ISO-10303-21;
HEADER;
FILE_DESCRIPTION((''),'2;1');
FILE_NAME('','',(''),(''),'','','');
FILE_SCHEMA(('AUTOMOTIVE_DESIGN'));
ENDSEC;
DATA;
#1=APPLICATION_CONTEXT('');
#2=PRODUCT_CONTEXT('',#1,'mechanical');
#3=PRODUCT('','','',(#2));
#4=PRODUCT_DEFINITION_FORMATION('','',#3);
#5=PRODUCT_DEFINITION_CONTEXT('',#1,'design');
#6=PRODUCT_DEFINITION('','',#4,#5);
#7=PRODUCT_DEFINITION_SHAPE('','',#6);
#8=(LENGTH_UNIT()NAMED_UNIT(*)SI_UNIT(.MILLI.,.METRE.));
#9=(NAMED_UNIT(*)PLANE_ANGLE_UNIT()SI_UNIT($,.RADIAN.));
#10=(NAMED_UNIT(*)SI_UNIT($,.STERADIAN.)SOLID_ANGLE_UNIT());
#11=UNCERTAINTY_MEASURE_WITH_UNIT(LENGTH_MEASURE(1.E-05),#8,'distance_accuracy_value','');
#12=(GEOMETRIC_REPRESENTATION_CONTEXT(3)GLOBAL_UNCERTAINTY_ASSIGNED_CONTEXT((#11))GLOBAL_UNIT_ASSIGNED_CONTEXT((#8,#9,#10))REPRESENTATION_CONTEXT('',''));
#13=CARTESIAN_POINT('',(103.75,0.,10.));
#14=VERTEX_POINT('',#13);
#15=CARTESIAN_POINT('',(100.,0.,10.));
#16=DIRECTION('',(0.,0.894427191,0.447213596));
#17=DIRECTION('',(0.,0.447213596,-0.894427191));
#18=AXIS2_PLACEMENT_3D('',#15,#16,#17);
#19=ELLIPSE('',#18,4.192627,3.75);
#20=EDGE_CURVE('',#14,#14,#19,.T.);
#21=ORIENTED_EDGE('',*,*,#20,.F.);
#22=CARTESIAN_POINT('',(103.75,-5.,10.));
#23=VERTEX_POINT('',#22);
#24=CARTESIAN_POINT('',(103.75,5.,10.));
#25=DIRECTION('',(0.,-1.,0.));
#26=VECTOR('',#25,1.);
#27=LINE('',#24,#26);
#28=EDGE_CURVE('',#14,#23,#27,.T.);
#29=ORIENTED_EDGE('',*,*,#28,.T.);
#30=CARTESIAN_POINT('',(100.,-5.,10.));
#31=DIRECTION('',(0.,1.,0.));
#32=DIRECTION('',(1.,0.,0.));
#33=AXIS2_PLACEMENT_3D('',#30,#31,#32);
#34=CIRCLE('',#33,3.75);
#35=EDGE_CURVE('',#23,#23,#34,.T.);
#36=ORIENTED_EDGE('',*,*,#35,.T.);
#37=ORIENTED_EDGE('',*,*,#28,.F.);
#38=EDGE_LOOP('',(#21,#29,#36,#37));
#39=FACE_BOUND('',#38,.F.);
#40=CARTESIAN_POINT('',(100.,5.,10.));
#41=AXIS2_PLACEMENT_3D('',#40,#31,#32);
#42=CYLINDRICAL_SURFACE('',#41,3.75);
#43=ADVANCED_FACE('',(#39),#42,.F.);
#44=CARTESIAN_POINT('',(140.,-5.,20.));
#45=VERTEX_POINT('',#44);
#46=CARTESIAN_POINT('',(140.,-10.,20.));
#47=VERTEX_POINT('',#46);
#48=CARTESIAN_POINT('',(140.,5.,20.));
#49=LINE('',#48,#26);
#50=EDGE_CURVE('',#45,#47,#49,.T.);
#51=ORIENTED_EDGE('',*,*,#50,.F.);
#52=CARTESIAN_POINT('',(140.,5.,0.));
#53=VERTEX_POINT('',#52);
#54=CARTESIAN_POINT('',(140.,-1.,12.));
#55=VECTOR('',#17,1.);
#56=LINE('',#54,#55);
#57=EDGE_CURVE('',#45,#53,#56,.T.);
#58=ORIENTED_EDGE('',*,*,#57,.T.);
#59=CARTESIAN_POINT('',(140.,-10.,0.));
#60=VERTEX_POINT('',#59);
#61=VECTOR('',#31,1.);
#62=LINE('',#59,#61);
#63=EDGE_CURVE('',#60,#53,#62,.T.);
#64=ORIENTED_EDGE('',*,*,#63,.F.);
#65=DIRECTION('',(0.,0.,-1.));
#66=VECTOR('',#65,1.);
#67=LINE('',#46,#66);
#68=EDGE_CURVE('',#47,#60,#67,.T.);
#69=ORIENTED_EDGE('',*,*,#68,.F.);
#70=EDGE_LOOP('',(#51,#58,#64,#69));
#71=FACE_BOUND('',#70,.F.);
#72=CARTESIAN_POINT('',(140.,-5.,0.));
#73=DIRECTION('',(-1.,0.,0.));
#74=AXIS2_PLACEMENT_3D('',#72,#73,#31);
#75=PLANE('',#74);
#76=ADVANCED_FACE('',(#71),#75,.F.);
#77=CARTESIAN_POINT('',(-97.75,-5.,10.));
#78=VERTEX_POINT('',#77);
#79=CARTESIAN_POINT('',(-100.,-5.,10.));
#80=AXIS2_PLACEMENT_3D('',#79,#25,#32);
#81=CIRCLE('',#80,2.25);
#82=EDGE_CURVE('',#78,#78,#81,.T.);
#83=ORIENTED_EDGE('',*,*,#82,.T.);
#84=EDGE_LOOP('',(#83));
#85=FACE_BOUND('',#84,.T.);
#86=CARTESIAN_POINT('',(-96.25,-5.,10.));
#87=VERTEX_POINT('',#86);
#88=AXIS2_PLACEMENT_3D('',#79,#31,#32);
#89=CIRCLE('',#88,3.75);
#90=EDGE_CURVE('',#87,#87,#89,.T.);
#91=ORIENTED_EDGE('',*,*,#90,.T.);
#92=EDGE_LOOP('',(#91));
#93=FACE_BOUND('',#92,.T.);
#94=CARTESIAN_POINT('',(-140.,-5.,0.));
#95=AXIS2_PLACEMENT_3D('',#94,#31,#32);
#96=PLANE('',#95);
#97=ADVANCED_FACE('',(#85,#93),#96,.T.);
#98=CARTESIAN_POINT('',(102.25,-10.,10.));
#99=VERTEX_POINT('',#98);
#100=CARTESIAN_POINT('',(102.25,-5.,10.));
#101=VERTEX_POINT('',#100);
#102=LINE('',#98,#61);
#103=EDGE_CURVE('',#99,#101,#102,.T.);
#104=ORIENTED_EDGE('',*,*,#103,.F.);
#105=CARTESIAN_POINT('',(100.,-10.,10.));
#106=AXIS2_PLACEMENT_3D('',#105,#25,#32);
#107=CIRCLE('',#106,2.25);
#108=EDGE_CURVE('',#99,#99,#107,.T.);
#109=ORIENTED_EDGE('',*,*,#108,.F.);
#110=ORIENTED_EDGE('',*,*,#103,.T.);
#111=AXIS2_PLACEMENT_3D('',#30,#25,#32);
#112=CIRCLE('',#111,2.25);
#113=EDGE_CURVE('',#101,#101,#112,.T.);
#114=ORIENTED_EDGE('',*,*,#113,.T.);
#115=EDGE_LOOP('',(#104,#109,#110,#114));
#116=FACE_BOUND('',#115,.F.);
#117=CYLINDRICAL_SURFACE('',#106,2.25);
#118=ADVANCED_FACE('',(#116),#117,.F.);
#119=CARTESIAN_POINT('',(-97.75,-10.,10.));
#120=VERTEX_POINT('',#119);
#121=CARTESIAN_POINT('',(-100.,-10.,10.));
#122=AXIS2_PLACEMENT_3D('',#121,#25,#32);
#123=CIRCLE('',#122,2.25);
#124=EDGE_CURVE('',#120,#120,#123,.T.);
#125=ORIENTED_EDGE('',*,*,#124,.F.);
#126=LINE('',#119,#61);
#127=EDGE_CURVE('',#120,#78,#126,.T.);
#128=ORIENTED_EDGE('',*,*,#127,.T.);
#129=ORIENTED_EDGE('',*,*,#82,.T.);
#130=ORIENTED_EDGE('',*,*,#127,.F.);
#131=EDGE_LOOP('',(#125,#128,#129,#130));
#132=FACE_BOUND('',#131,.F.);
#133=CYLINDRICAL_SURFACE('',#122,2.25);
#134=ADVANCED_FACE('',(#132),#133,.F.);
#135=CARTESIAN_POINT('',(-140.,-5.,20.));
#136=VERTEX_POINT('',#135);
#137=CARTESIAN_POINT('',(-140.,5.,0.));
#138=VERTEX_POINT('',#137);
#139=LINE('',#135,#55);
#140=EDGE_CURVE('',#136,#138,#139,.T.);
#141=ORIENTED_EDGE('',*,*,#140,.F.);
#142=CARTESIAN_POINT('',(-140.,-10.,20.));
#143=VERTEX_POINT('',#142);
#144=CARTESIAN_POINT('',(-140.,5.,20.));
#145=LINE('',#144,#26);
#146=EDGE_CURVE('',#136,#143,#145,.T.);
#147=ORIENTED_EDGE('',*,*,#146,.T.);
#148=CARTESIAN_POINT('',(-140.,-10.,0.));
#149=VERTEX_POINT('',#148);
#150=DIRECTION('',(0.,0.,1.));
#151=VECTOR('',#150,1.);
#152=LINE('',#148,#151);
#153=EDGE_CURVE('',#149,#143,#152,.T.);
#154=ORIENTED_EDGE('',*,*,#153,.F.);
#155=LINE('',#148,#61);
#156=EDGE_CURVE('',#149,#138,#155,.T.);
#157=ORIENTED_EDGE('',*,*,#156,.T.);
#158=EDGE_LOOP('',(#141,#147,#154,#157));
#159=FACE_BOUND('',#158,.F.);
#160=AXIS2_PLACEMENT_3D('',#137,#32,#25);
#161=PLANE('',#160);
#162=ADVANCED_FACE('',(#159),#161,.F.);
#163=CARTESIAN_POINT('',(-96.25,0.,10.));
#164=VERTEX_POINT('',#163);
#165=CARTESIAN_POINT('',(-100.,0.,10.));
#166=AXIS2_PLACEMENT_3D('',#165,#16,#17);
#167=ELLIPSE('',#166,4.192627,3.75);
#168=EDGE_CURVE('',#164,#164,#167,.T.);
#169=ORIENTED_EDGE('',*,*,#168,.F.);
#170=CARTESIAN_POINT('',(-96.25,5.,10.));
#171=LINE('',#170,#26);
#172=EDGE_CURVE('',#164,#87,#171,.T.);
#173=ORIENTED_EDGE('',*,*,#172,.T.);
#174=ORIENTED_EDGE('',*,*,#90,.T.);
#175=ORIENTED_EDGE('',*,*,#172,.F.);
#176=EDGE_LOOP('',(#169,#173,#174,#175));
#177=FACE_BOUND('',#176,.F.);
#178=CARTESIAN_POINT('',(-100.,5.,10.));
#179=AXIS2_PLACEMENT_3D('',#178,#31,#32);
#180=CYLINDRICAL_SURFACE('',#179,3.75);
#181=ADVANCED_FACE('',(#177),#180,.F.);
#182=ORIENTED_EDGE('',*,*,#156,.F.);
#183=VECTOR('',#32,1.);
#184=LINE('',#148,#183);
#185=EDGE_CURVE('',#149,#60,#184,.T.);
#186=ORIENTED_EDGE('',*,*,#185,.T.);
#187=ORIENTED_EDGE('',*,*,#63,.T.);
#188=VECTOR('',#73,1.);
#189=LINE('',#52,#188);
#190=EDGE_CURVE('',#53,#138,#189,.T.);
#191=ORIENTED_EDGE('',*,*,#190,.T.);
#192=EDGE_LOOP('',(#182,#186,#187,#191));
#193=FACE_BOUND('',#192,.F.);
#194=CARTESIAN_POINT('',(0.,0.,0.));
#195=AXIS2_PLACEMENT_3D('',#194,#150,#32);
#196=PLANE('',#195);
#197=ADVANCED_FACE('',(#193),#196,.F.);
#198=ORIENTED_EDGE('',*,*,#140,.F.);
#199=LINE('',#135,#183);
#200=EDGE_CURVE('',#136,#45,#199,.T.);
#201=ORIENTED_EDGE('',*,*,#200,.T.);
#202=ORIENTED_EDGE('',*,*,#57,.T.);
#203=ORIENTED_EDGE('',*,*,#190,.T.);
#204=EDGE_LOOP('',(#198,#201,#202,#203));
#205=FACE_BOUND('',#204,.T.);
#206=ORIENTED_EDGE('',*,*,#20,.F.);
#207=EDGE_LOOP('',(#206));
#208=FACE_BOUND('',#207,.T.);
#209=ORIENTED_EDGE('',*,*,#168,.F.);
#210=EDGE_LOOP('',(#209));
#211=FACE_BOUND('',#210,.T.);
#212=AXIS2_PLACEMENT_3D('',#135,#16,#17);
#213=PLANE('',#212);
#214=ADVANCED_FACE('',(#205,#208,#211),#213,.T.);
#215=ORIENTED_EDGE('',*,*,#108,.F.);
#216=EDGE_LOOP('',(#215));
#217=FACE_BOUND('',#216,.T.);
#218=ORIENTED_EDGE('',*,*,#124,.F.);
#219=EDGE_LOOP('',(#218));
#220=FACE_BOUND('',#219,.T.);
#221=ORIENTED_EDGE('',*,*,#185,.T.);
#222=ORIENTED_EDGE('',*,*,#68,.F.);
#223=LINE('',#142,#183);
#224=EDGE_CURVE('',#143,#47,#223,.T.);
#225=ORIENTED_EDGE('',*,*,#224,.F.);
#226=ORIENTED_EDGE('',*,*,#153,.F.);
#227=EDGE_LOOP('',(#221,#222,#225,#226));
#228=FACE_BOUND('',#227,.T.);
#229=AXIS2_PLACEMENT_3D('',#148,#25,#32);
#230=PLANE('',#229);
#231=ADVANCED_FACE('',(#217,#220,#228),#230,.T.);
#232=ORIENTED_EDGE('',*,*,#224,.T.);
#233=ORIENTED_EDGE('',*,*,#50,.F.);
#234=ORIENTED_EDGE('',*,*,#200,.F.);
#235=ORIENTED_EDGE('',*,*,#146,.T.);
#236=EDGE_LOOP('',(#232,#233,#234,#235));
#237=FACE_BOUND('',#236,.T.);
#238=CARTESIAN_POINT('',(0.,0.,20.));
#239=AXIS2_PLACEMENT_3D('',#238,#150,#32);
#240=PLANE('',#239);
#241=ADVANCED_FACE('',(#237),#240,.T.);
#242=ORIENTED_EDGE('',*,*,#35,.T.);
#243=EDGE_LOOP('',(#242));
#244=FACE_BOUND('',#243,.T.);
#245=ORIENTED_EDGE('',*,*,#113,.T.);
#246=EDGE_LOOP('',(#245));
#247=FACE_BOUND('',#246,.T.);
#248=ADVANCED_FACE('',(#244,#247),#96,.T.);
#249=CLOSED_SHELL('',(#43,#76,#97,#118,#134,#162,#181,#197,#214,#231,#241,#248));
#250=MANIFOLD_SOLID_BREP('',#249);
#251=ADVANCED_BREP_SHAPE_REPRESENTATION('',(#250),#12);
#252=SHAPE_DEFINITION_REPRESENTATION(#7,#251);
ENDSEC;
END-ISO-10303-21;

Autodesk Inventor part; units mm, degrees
ref_plane "YZ Plane" through (0, 0, 0) normal (1, 0, 0) x (0, 1, 0)
ref_plane "XZ Plane" through (0, 0, 0) normal (0, 1, 0) x (-1, 0, 0)
ref_plane "XY Plane" through (0, 0, 0) normal (0, 0, 1) x (1, 0, 0)
sketch "Sketch1" plane through (0, 0, 0) normal (0, 0, 1) x (1, 0, 0)
  line L0 (140, 5) -> (-140, 5)
  line L1 (-140, 5) -> (-140, -5)
  line L2 (-140, -5) -> (140, -5)
  line L3 (140, -5) -> (140, 5)
  line L4 (140, 5) -> (-140, -5) construction
  line L5 (-140, 5) -> (140, -5) construction
  point P0 (0, 0)
  dimension "d0" = 280
  dimension "d1" = 10
extrude "Extrusion1" add sketch "Sketch1" along normal blind 20
sketch "Sketch6" plane through (-140, -5, 0) normal (0, -1, 0) x (1, 0, 0)
  line L0 (0, 0) -> (0, 20) projected
  line L1 (0, 0) -> (280, 0) projected
  line L2 (0, 20) -> (280, 20)
  line L3 (280, 20) -> (280, 0)
  line L4 (280, 0) -> (0, 0)
  line L5 (0, 0) -> (0, 20)
  point P0 (140, 0)
extrude "Extrusion4" add sketch "Sketch6" along normal blind 5
sketch "Sketch7" plane through (-140, -10, 0) normal (0, -1, 0) x (1, 0, 0)
  point P0 (140, 0)
sketch "Sketch8" plane through (-140, -10, 0) normal (0, -1, 0) x (1, 0, 0)
  circle A0 centre (40, 10) radius 2.1 projected
  circle A1 centre (40, 10) radius 2.25
  circle A2 centre (240, 10) radius 2.25
  line L0 (280, 20) -> (0, 20) projected
  line L1 (0, 20) -> (0, 0) projected
  point P0 (140, 0)
  dimension "d23" = 4.5
  dimension "d24" = 4.5
  dimension "d35" = 200
  dimension "d36" = 10
  dimension "d37" = 10
  dimension "d38" = 40
extrude "Extrusion5" cut sketch "Sketch8" against normal through all contours A0 | A1 | A2
sketch "Sketch9" plane through (-140, 5, 0) normal (0, 1, 0) x (1, 0, 0)
  circle A0 centre (40, -10) radius 2.25 projected
  circle A1 centre (40, -10) radius 3.75
  circle A2 centre (240, -10) radius 2.25 projected
  circle A3 centre (240, -10) radius 3.75
  point P0 (140, 0)
  dimension "d27" = 7.5
  dimension "d28" = 7.5
extrude "Extrusion6" cut sketch "Sketch9" against normal blind 10 contours A0 | A1 | A2 | A3
sketch "Sketch10" plane through (-140, 5, 0) normal (-1, 0, 0) x (0, 0, 1)
  line L0 (0, 0) -> (20, 0) projected
  line L1 (20, 0) -> (20, -10)
  line L2 (20, 0) -> (20, -15) projected
  line L3 (20, 0) -> (30, 0) construction
  line L4 (0, 0) -> (0, -15) projected
  line L5 (20, -10) -> (0, 0)
  line L6 (0, 0) -> (20, 0)
  point P0 (0, -5)
  dimension "d31" = 10
  dimension "d32" = 90
extrude "Extrusion7" cut sketch "Sketch10" against normal through all
equation "\"d24\" = d23"
equation "\"d28\" = d27"
properties part number "paw shelf_v03_temp"
